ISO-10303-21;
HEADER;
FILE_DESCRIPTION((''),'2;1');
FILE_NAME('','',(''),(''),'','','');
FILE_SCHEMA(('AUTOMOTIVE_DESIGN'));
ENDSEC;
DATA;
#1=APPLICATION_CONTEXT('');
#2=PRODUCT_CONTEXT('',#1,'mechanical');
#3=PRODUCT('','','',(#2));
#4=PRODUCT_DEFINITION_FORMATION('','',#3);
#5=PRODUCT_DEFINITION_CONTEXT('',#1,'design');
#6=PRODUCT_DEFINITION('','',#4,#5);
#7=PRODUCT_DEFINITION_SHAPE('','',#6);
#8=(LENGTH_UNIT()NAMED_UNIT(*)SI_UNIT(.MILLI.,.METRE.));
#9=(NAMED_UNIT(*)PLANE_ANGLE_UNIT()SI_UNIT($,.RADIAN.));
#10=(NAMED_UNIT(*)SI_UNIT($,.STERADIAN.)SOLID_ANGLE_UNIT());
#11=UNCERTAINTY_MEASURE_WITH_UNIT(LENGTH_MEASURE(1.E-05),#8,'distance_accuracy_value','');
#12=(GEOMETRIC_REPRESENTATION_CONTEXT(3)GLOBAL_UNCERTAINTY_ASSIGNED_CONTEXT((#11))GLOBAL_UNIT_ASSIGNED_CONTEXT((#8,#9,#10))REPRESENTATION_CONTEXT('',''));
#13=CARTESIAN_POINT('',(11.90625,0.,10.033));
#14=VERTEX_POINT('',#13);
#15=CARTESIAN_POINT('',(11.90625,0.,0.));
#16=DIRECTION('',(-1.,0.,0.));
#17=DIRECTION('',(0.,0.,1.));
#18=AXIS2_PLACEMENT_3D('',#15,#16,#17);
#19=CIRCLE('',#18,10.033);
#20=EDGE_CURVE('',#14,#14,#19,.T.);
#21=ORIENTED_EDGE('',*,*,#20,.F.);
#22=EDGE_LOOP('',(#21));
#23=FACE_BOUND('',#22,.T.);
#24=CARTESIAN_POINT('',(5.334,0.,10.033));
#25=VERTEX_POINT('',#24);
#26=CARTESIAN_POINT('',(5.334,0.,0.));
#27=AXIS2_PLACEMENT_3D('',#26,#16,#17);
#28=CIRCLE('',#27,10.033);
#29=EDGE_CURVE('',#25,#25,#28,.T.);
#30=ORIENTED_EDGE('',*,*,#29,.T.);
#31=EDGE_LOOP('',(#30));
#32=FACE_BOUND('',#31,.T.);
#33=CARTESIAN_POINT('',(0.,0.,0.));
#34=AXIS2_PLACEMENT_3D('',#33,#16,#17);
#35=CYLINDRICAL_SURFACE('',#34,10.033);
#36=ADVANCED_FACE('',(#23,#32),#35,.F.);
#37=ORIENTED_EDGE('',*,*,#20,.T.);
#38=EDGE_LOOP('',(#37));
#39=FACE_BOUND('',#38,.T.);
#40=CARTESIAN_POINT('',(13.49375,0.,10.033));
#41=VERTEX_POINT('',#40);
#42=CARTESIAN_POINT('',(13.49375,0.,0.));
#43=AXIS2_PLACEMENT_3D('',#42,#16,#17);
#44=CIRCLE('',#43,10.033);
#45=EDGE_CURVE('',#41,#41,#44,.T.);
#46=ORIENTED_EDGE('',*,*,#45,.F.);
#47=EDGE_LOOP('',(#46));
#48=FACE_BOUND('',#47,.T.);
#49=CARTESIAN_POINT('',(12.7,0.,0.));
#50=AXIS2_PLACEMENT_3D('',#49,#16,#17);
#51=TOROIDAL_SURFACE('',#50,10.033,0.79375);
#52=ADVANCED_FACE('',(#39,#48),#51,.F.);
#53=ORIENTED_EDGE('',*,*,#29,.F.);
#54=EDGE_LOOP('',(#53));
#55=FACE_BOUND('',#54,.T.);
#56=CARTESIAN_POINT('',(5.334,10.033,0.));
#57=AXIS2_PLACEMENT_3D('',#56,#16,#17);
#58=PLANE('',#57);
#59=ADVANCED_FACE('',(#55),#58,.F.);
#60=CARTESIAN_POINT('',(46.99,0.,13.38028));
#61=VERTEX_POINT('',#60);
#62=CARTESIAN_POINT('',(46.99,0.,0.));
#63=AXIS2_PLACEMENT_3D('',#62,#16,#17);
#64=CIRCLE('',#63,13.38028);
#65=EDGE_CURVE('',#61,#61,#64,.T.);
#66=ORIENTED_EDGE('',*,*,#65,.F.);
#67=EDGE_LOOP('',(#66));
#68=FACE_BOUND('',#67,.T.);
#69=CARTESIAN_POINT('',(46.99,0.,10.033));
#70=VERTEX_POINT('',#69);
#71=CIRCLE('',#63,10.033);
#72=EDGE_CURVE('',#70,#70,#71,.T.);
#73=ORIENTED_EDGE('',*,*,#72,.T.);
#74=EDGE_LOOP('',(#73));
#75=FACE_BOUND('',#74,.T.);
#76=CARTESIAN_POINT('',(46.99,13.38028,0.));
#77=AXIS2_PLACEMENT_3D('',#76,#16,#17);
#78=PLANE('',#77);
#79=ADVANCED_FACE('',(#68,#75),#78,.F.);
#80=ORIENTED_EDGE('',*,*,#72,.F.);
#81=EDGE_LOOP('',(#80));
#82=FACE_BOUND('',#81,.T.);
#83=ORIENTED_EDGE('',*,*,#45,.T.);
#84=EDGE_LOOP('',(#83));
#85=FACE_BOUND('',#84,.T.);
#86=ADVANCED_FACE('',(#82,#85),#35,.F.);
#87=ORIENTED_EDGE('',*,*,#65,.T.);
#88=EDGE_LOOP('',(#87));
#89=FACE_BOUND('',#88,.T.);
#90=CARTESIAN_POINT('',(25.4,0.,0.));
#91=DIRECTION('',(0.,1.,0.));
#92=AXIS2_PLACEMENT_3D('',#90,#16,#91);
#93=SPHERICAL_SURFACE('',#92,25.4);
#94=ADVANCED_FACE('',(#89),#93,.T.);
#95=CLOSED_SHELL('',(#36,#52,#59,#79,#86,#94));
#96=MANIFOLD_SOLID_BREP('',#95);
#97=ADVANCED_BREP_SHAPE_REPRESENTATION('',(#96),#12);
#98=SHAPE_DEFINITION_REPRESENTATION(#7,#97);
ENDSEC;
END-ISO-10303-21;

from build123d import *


with BuildPart() as part:
    # Sketch1 → Revolve1 (revolve)
    with BuildSketch(Plane.XY, mode=Mode.PRIVATE) as revolve1_sk:
        with BuildLine():
            Line((46.99, 13.380280266), (46.99, 10.033))
            Line((46.99, 10.033), (13.49375, 10.033))
            ThreePointArc((13.49375, 10.033), (12.7, 10.82675), (11.90625, 10.033))
            Line((11.90625, 10.033), (5.334, 10.033))
            Line((5.334, 10.033), (5.334, 0))
            Line((5.334, 0), (0, 0))
            ThreePointArc((0, 0), (18.44392352, 24.428937758), (46.99, 13.380280266))
        make_face()
    revolve(revolve1_sk.sketch.rotate(Axis((0, 0, 0), (1, 0, 0)), 90), axis=Axis((0, 0, 0), (1, 0, 0)))


solid = part.part
